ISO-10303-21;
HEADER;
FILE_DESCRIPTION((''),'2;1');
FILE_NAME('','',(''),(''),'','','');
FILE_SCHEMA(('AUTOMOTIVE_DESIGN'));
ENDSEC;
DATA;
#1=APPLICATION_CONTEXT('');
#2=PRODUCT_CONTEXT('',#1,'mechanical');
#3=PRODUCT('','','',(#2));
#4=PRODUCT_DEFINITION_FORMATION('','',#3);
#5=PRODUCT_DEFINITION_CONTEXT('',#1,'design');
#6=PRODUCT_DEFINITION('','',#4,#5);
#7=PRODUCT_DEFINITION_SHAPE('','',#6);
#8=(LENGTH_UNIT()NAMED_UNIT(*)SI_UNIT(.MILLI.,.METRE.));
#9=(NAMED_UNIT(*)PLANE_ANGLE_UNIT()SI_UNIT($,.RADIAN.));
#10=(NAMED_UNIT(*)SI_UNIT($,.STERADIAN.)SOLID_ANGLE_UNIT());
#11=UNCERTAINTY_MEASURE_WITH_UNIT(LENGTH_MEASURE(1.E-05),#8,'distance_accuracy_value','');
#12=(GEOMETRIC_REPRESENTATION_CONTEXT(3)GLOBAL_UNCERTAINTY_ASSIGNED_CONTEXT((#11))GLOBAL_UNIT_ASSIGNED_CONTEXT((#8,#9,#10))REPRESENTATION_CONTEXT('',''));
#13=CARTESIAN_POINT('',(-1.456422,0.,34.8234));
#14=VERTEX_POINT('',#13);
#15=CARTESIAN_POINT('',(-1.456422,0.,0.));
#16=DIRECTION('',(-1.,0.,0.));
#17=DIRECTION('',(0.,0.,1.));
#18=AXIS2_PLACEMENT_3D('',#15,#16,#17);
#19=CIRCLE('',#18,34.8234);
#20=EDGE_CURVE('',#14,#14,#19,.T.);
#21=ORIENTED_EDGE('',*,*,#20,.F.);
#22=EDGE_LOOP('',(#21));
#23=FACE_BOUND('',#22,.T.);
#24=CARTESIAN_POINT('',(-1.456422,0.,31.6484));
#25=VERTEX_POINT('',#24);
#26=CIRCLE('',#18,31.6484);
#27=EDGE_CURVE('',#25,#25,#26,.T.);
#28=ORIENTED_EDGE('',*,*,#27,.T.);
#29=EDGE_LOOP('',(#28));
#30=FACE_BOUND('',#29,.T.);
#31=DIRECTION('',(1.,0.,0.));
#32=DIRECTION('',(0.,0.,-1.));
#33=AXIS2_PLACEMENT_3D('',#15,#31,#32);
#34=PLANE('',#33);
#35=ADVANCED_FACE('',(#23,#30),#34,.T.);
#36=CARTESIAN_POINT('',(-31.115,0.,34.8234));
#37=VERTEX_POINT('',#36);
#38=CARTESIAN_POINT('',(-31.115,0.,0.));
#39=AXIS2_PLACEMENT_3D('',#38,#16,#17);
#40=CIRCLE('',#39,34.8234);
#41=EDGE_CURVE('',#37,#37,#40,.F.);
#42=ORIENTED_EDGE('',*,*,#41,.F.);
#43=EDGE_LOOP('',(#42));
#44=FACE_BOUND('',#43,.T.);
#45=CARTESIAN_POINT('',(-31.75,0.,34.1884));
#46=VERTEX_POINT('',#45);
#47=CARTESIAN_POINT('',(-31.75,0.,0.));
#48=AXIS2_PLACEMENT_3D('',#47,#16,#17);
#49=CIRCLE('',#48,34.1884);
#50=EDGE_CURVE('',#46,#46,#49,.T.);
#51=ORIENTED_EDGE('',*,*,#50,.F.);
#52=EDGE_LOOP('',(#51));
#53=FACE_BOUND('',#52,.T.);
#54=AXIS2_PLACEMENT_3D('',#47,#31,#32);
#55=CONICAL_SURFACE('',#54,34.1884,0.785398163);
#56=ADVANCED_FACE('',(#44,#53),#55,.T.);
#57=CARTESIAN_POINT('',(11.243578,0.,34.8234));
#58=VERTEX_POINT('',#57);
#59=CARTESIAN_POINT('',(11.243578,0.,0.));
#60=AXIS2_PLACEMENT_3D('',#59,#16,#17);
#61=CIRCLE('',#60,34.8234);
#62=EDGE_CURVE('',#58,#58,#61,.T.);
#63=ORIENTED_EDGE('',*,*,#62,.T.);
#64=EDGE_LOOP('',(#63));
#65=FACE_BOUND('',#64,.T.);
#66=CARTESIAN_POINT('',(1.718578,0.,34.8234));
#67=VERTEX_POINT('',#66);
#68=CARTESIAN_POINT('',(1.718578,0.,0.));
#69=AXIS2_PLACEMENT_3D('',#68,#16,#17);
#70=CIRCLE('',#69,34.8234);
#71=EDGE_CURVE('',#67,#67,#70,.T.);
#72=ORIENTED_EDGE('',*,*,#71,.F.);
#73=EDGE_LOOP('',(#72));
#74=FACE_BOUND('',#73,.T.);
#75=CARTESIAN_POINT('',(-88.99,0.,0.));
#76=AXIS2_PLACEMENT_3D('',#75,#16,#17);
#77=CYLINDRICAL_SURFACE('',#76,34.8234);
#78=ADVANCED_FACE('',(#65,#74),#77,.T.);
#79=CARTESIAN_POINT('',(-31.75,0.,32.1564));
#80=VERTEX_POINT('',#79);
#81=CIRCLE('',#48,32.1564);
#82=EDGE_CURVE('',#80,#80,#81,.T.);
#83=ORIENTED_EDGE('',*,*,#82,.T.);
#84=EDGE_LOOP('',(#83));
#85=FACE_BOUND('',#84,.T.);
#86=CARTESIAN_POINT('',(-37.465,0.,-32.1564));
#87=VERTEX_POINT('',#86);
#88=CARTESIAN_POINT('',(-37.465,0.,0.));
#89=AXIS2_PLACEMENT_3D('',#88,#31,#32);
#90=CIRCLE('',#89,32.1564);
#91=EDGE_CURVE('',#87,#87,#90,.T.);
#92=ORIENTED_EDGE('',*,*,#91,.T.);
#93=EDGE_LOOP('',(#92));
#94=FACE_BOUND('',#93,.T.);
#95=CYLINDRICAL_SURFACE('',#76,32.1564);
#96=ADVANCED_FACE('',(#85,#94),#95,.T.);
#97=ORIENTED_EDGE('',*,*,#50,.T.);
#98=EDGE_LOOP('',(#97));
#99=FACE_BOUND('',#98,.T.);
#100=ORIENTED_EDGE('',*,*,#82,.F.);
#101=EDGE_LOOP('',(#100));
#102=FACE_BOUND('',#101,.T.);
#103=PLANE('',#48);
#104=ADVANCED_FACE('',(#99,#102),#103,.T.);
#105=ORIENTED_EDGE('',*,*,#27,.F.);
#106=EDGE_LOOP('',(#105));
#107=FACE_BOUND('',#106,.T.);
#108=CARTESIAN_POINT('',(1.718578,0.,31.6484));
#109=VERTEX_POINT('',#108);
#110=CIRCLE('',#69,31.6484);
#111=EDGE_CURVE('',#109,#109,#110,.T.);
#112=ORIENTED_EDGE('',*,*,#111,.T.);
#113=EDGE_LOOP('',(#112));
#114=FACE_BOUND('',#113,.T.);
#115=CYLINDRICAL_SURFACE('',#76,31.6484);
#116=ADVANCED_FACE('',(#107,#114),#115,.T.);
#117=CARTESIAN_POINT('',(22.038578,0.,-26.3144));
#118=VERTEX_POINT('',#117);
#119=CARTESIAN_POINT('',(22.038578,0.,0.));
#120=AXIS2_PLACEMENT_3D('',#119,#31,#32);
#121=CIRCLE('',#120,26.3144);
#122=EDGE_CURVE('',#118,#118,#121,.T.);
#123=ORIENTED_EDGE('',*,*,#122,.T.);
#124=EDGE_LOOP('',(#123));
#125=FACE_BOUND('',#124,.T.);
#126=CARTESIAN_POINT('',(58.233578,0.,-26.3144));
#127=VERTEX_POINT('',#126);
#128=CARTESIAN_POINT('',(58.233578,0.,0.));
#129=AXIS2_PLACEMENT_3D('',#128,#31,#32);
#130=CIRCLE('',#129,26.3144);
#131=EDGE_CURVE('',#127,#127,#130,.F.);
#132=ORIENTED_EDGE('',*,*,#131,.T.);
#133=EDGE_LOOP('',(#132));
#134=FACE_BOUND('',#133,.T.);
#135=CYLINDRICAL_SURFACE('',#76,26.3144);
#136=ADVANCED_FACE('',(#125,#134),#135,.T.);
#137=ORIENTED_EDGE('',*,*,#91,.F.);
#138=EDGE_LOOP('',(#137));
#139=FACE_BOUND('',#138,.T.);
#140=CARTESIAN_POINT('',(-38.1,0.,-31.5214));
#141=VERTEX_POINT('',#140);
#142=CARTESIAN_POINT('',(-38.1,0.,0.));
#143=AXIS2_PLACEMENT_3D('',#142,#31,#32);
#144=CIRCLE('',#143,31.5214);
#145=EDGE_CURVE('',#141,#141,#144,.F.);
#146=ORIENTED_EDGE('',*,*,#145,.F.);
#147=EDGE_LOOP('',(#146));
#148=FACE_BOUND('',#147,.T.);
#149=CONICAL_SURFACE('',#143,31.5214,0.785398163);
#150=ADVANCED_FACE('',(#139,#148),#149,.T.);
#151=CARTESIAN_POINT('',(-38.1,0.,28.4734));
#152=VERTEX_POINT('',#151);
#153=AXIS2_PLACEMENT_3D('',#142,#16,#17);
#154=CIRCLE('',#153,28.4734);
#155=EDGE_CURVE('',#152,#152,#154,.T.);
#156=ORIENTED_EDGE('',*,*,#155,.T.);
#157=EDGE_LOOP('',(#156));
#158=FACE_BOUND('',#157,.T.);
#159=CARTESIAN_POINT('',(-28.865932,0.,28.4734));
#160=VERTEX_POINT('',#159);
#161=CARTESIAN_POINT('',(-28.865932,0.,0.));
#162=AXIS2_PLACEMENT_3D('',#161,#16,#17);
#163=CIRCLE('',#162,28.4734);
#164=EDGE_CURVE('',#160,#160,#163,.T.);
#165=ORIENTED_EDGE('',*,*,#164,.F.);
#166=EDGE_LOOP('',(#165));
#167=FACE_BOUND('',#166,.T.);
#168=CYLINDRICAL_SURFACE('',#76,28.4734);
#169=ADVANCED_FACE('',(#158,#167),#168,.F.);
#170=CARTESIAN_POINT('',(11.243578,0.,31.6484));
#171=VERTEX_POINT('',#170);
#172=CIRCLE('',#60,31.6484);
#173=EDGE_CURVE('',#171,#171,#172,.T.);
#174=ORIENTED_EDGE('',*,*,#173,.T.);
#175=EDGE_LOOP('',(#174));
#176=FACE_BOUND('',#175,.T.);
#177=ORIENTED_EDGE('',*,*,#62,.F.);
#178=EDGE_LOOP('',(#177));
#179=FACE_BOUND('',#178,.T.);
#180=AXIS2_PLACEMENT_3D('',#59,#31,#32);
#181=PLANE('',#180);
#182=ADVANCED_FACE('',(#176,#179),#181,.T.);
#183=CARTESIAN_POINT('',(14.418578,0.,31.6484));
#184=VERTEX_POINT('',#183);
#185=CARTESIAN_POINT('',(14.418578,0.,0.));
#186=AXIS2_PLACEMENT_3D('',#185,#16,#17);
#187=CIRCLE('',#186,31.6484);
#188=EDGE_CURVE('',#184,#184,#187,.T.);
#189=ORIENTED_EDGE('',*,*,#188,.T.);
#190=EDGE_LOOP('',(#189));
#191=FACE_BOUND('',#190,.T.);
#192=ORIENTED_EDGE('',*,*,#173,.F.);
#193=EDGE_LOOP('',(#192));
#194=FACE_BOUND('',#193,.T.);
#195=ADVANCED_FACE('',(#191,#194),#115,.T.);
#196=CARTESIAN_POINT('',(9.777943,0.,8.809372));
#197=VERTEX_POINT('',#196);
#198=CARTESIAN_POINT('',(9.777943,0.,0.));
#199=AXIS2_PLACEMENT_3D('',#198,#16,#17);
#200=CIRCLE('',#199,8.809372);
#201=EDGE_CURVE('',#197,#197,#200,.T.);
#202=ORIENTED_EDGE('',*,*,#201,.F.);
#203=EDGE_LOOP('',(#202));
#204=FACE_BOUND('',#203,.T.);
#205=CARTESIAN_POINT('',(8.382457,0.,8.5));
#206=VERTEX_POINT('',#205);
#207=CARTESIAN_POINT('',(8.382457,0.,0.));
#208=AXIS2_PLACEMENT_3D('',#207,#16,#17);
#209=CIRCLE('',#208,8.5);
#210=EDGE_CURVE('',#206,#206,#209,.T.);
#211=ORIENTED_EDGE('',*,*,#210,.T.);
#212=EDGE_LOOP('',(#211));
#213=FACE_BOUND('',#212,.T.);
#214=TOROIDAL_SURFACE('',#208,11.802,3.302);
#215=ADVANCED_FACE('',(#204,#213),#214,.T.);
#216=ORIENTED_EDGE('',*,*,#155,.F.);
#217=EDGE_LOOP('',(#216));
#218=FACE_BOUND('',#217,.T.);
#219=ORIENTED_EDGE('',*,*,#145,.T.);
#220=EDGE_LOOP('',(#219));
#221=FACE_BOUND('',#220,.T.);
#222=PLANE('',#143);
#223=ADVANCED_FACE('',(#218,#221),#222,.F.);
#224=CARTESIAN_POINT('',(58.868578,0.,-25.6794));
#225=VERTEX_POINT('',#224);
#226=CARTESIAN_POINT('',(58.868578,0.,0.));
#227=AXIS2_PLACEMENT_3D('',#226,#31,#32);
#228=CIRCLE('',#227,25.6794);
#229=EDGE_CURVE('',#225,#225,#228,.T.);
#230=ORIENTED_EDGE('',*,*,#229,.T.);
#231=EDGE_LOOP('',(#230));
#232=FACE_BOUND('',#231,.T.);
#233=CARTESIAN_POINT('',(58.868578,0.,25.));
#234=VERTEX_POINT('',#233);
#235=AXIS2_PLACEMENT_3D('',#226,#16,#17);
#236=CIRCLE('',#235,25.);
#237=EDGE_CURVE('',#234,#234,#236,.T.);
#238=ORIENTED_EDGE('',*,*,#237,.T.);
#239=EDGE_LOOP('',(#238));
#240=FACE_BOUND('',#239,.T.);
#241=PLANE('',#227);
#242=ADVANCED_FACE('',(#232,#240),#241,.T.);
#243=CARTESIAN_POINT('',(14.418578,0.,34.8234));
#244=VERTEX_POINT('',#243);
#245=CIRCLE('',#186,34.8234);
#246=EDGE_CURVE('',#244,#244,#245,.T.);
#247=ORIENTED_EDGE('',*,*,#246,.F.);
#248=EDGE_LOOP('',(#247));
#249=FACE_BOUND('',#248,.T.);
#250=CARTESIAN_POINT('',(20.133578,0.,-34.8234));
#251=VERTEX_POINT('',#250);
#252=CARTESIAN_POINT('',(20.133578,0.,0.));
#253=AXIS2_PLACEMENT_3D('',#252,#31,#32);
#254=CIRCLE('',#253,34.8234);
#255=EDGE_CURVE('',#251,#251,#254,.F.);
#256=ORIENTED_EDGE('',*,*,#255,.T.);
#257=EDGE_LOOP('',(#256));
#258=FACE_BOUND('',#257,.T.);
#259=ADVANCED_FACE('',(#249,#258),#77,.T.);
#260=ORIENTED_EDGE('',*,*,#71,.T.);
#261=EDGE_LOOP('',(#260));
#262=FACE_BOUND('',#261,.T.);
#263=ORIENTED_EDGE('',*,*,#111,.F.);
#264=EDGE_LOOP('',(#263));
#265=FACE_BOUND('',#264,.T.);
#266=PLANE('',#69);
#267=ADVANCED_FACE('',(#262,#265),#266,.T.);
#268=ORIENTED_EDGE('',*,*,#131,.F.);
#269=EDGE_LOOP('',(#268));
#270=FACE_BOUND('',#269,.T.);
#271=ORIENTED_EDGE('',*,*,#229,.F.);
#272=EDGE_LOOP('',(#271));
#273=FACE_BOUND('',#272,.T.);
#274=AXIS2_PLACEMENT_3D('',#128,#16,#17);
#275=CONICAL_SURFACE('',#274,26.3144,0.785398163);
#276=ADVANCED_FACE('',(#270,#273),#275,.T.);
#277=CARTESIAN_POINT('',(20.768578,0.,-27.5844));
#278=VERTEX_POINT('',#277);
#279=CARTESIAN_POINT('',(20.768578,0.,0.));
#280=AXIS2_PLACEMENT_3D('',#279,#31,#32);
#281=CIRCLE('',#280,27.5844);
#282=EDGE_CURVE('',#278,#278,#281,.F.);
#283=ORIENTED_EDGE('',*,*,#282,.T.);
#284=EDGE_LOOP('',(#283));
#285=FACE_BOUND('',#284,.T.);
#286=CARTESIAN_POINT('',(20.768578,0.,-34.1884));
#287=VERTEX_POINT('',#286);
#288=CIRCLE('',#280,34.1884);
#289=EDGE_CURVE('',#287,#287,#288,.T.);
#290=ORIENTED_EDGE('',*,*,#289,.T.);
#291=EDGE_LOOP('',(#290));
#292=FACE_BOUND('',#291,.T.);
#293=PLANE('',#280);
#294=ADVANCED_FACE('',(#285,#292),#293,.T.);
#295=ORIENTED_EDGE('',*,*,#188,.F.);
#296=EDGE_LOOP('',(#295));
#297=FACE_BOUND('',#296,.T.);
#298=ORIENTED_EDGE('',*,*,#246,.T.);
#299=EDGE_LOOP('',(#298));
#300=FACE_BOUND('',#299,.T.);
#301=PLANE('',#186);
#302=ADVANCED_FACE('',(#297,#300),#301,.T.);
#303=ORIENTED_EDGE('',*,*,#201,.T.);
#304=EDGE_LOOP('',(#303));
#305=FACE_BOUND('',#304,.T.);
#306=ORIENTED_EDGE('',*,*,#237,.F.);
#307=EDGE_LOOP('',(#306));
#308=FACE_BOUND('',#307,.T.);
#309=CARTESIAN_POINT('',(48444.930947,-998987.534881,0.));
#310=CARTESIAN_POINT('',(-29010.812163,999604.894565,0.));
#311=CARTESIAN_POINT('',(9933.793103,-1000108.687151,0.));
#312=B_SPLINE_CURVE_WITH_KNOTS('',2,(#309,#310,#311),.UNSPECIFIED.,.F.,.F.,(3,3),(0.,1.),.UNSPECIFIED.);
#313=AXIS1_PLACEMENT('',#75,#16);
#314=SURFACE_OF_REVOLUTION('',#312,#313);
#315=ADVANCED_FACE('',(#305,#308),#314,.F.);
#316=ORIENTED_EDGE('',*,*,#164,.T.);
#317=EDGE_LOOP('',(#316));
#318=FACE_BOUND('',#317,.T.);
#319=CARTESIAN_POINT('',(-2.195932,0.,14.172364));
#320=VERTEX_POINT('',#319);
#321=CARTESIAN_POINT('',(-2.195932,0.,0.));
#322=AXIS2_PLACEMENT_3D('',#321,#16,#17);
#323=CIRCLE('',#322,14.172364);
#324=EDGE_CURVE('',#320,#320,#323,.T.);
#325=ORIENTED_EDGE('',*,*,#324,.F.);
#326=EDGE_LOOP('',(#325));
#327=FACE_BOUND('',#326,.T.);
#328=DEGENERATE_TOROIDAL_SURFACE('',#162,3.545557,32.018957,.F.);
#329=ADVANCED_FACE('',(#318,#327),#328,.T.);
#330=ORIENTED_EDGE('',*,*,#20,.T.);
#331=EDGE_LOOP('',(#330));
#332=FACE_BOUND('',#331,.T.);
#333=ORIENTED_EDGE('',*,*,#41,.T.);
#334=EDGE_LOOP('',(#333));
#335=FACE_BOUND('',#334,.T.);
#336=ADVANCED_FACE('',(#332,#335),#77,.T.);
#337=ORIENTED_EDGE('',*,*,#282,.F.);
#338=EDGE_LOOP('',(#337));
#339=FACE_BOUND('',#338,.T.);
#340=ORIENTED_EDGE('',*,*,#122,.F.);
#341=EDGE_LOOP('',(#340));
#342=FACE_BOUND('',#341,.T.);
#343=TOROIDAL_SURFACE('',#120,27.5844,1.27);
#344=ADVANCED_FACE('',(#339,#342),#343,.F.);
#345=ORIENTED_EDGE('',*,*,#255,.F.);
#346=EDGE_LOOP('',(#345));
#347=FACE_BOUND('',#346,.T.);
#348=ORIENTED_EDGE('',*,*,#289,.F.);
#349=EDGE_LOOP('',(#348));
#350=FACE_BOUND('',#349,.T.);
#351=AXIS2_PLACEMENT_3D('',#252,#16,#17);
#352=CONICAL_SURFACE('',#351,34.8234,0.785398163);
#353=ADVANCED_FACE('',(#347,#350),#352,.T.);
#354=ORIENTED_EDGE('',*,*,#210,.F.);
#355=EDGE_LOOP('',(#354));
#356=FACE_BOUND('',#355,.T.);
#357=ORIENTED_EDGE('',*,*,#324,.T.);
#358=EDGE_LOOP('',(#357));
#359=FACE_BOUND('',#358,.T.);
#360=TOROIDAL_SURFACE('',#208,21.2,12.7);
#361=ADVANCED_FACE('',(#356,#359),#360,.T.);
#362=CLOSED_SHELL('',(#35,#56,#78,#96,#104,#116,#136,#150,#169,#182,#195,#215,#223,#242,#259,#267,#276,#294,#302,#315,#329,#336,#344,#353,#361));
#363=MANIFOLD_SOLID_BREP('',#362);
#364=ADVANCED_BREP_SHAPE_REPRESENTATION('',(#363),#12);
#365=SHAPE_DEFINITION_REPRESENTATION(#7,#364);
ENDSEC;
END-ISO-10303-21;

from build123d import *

# Parameters (mm, degrees)
CHAMFER1_SIZE = 0.635
FILLET1_R     = 1.27


with BuildPart() as part:
    # Sketch1 → Revolve1 (revolve)
    with BuildSketch(Plane.XY, mode=Mode.PRIVATE) as revolve1_sk:
        with BuildLine():
            Line((-31.75, 32.1564), (-38.1, 32.1564))
            Line((-38.1, 32.1564), (-38.1, 28.4734))
            Line((-38.1, 28.4734), (-28.86593235, 28.4734))
            ThreePointArc((-28.86593235, 28.4734), (-13.734767948, 24.672548379), (-2.19593235, 14.172363513))
            ThreePointArc((-2.19593235, 14.172363513), (2.380831725, 10.007569893), (8.382457197, 8.5))
            ThreePointArc((8.382457197, 8.5), (9.097140802, 8.578270584), (9.777942697, 8.809371687))
            add(Edge.make_bspline(
                [(58.868578041, 25), (34.22702979, 20.210168233), (9.777942697, 8.809371687)],
                knots=[0, 0, 0, 1, 1, 1], degree=2))
            Line((58.868578041, 25), (58.868578041, 26.3144))
            Line((58.868578041, 26.3144), (20.768578041, 26.3144))
            Line((20.768578041, 26.3144), (20.768578041, 34.8234))
            Line((20.768578041, 34.8234), (14.418578041, 34.8234))
            Line((14.418578041, 34.8234), (14.418578041, 31.6484))
            Line((14.418578041, 31.6484), (11.243578041, 31.6484))
            Line((11.243578041, 31.6484), (11.243578041, 34.8234))
            Line((11.243578041, 34.8234), (1.718578041, 34.8234))
            Line((1.718578041, 34.8234), (1.718578041, 31.6484))
            Line((1.718578041, 31.6484), (-1.456421959, 31.6484))
            Line((-1.456421959, 31.6484), (-1.456421959, 34.8234))
            Line((-1.456421959, 34.8234), (-31.75, 34.8234))
            Line((-31.75, 34.8234), (-31.75, 32.1564))
        make_face()
    revolve(revolve1_sk.sketch.rotate(Axis((-88.99, 0, 0), (1, 0, 0)), 90), axis=Axis((-88.99, 0, 0), (1, 0, 0)))

    # Chamfer1
    chamfer1_edges = [part.edges().sort_by_distance(p)[0] for p in [
        (-38.1, 0, -32.1564),
        (-31.75, 0, -34.8234),
        (20.768578041, 0, -34.8234),
        (58.868578041, 0, -26.3144),
    ]]
    chamfer(chamfer1_edges, length=CHAMFER1_SIZE)

    # Fillet1
    fillet1_edges = [part.edges().sort_by_distance(p)[0] for p in [
        (20.768578041, 0, -26.3144),
    ]]
    fillet(fillet1_edges, radius=FILLET1_R)


solid = part.part
